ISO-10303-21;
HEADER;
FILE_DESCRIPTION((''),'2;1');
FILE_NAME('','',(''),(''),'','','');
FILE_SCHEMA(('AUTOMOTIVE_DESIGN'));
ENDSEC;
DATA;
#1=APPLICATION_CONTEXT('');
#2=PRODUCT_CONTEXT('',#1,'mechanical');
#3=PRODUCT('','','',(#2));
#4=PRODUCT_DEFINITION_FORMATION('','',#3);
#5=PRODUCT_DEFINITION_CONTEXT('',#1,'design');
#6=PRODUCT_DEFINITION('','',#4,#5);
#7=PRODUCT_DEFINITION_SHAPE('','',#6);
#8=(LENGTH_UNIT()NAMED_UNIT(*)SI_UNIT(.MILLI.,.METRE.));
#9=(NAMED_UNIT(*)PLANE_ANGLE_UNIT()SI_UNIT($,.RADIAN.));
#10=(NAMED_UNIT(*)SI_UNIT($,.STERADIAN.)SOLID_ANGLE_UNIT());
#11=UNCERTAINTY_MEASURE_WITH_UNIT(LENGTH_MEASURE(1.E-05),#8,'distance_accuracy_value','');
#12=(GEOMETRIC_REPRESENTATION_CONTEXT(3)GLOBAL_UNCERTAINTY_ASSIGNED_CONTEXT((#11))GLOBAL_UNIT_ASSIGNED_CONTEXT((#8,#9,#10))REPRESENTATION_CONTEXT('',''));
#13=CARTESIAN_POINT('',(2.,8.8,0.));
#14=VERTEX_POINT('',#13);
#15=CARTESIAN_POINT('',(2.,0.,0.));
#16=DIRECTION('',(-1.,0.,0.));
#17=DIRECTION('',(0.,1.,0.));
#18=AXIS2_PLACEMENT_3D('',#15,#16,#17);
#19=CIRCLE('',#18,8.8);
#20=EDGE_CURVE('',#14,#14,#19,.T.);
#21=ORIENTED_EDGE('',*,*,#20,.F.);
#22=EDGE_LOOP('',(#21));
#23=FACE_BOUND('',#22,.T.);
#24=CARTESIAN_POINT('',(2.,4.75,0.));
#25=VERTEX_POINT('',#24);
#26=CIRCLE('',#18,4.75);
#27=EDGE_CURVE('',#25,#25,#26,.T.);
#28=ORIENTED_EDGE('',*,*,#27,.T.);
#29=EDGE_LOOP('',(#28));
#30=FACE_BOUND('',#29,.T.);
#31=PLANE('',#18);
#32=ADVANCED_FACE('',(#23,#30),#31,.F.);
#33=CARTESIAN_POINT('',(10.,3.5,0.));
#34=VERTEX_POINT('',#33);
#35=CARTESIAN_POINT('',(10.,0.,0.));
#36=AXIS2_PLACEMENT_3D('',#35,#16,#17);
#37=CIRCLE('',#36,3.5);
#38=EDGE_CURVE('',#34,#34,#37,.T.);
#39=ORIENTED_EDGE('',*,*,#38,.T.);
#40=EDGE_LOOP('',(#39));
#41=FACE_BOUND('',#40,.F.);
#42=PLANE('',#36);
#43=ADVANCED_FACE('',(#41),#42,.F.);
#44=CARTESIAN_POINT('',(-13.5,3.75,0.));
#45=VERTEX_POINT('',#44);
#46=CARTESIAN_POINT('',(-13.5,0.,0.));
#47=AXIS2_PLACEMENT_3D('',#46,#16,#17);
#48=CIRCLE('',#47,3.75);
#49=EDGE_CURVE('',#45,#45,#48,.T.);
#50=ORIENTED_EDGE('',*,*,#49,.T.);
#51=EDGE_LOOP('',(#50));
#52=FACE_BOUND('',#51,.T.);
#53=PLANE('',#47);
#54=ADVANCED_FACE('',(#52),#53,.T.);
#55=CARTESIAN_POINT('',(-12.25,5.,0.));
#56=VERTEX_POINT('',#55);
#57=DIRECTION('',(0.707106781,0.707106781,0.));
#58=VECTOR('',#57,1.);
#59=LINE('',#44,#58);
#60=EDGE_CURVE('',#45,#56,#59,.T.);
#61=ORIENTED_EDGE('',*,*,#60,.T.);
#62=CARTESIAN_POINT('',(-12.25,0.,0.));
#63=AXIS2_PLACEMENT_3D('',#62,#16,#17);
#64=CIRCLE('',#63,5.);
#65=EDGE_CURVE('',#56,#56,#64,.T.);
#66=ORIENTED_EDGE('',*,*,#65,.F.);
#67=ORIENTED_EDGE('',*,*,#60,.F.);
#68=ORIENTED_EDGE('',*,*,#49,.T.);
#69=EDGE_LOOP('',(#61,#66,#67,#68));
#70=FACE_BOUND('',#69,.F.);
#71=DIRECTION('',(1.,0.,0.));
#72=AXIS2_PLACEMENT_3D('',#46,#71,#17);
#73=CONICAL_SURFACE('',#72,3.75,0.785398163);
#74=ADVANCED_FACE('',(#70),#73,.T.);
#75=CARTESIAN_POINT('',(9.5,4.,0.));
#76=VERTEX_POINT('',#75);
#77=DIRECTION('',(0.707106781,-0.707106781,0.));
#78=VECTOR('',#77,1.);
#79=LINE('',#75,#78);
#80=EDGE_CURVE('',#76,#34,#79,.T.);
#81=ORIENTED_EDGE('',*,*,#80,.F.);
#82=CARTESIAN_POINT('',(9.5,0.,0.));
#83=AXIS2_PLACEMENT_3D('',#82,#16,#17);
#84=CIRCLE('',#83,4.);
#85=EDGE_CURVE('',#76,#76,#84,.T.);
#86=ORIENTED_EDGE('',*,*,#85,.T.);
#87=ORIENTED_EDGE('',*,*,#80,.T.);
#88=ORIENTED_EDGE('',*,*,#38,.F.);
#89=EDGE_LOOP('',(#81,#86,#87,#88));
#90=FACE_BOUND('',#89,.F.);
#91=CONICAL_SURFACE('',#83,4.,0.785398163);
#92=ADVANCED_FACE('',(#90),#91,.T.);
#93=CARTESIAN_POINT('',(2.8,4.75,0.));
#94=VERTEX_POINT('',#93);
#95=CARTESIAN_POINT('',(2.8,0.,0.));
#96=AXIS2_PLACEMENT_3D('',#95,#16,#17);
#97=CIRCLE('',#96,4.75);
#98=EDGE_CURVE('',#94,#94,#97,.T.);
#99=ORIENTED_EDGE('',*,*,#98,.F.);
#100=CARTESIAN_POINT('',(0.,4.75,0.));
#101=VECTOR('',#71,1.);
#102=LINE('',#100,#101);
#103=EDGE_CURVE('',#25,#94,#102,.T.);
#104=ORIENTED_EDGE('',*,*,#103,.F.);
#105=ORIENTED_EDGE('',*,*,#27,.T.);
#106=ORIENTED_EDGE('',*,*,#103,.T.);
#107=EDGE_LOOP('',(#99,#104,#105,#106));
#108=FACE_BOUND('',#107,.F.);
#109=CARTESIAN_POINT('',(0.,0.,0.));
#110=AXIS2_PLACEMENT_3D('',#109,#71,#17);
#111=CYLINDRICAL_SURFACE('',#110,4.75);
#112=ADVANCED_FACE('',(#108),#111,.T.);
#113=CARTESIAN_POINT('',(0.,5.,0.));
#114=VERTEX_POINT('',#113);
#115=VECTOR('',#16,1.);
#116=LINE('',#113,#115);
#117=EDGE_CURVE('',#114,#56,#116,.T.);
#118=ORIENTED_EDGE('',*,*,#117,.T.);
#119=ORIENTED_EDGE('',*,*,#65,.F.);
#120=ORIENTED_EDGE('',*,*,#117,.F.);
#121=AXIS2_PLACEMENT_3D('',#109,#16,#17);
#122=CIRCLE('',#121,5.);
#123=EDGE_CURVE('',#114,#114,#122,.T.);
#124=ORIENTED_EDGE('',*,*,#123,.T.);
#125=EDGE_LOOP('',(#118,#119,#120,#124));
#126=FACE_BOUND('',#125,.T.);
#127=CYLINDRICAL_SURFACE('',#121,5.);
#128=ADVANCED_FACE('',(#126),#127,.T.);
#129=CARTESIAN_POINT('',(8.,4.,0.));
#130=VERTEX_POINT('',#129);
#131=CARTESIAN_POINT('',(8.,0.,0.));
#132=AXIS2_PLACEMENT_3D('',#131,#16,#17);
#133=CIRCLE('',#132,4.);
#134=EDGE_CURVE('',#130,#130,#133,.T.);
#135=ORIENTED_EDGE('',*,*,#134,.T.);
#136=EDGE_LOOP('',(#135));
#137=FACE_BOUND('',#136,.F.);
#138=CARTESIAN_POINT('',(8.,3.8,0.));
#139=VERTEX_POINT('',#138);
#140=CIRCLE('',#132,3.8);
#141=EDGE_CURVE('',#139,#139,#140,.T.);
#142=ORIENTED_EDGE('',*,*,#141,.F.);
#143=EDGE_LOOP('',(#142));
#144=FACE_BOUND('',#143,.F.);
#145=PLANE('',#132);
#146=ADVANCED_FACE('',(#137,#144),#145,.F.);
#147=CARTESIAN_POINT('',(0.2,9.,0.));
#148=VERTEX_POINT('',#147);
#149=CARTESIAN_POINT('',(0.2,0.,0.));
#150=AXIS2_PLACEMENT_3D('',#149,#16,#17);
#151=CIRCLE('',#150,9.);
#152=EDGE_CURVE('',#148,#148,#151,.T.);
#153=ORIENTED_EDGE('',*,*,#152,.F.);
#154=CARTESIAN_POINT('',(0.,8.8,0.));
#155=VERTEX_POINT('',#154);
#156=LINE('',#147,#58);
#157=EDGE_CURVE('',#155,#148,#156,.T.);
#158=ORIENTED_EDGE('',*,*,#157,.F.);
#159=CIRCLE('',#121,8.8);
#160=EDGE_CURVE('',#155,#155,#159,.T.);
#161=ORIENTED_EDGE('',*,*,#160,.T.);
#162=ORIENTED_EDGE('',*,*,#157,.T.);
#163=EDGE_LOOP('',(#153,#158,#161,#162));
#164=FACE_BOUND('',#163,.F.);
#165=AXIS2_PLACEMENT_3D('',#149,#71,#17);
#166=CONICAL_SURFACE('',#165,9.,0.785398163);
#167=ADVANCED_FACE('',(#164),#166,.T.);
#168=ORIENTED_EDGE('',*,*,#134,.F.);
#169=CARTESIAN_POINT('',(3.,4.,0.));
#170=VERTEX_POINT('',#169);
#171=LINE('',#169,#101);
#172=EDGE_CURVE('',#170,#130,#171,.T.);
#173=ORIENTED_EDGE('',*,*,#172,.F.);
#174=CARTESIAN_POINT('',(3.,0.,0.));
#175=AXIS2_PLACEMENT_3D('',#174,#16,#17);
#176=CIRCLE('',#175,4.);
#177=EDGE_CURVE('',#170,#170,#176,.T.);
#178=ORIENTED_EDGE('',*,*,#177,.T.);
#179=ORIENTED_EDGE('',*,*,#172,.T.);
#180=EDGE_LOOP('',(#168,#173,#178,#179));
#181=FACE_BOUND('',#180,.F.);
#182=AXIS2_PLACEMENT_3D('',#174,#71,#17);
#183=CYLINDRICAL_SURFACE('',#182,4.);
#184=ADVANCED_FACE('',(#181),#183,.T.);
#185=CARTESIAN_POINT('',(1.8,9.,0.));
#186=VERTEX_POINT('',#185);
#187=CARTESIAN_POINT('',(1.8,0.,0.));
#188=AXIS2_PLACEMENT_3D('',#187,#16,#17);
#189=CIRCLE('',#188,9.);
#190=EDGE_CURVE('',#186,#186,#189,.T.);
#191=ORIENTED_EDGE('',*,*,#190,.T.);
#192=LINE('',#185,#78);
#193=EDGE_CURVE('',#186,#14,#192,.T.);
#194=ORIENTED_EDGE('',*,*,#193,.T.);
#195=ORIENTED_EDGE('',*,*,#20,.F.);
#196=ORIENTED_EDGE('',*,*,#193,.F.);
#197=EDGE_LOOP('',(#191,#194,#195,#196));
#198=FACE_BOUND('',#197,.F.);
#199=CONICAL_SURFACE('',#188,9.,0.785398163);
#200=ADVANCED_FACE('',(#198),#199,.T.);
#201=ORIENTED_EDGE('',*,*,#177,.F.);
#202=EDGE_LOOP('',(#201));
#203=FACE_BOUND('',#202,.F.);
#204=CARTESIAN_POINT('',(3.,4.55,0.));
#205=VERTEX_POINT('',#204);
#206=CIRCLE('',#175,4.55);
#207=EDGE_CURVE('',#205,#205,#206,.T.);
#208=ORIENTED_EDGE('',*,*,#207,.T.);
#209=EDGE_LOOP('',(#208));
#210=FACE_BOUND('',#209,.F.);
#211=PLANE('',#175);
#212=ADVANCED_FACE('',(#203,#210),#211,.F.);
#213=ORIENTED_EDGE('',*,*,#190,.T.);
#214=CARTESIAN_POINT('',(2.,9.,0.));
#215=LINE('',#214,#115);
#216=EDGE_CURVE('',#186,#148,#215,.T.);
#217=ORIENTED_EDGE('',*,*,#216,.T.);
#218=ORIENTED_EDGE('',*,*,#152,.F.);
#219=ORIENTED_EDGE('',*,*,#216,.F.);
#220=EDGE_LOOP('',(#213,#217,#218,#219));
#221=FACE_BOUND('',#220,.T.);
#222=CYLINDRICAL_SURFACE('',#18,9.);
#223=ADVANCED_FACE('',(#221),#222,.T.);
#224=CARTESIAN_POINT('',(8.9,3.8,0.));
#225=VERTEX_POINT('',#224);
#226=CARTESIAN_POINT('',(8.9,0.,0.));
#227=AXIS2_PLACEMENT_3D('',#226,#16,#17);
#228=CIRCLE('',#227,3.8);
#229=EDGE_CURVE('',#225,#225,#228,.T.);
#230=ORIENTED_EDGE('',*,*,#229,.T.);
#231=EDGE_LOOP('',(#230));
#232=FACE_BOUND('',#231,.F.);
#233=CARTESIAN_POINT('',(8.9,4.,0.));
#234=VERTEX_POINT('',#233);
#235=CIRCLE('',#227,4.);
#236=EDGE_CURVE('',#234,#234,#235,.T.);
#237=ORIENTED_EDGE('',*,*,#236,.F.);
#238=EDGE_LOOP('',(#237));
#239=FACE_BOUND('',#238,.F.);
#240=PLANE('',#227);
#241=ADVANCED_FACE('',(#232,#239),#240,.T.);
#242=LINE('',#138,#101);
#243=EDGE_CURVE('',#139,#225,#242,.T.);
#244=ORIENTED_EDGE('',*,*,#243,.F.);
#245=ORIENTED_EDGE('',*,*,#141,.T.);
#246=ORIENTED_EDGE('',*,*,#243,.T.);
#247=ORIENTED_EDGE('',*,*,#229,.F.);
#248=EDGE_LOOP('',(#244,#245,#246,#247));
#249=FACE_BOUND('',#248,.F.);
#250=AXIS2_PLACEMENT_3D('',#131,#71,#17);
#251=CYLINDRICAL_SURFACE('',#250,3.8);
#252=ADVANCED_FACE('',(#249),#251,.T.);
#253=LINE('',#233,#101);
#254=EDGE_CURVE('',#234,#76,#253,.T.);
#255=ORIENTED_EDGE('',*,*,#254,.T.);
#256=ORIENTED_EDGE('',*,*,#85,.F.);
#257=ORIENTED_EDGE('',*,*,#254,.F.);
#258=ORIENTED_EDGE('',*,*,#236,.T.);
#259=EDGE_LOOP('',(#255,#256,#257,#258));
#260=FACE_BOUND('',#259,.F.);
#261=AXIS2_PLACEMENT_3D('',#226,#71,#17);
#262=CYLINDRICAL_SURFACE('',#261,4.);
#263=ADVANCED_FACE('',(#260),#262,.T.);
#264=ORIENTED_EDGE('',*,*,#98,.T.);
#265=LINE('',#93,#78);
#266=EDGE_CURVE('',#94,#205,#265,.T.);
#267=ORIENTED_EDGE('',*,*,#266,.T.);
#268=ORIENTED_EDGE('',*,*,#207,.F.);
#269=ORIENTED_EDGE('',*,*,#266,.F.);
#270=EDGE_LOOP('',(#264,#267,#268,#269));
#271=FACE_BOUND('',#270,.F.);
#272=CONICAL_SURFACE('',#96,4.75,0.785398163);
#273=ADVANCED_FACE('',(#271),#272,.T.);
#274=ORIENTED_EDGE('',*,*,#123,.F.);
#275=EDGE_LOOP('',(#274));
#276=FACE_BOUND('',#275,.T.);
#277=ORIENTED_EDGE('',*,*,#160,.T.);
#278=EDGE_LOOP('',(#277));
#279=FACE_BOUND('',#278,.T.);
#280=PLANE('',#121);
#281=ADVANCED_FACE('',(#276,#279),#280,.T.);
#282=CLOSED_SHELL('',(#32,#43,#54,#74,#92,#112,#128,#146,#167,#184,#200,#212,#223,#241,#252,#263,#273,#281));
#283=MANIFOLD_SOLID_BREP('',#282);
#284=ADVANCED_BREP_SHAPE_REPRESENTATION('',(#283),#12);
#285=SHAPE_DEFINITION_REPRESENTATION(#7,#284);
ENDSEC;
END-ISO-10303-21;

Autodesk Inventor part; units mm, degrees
ref_plane "YZ Plane" through (0, 0, 0) normal (1, 0, 0) x (0, 1, 0)
ref_plane "XZ Plane" through (0, 0, 0) normal (0, 1, 0) x (-1, 0, 0)
ref_plane "XY Plane" through (0, 0, 0) normal (0, 0, 1) x (1, 0, 0)
sketch "Skizze1" plane through (0, 0, 0) normal (0, 0, 1) x (1, 0, 0)
  line L0 (0, 0) -> (0, 4.75)
  line L1 (0, 4.75) -> (3, 4.75)
  line L2 (3, 4.75) -> (3, 4)
  line L3 (3, 4) -> (8, 4)
  line L4 (8, 4) -> (8, 3.8)
  line L5 (8, 3.8) -> (8.9, 3.8)
  line L6 (8.9, 3.8) -> (8.9, 4)
  line L7 (8.9, 4) -> (9.5, 4)
  line L8 (10, 3.5) -> (10, 0)
  line L9 (10, 0) -> (0, 0)
  line L10 (0, 5) -> (-12.25, 5)
  line L11 (-13.5, 3.75) -> (-13.5, 0)
  line L12 (-13.5, 0) -> (0, 0)
  line L13 (9.5, 4) -> (10, 3.5)
  line L14 (-13.5, 3.75) -> (-12.25, 5)
  line L15 (8, 4) -> (8, 0) construction
  line L16 (2, 4.75) -> (2, 9)
  line L17 (2, 9) -> (0, 9)
  line L18 (0, 9) -> (0, 4.75)
  line L19 (3, 4) -> (3, 0) construction
  point P0 (10, 4)
  point P1 (-13.5, 5)
  dimension "d0" = 7.6
  dimension "d1" = 0.5
  dimension "d2" = 0.5
  dimension "d3" = 0.9
  dimension "d4" = 8
  dimension "d5" = 0.6
  dimension "d6" = 9.5
  dimension "d8" = 10
  dimension "d9" = 1.25
  dimension "d10" = 1.25
  dimension "d11" = 13.5
  dimension "d15" = 0
  dimension "d22" = 1
  dimension "d23" = 18
  dimension "d24" = 5
  dimension "d25" = 0
  dimension "d27" = 3
revolve "Umdrehung1" add sketch "Skizze1" angle 360 about axis through (10, 0, 0) along (-1, 0, 0)
thread "Gewinde1" size "M10x1.5" class "6g" standard "ANSI Metric M Profile" full length
chamfer "Fase1" distance 0.2 angle 45 3 edges at (3, -4.75, 0) (2, -9, 0) (0, -9, 0)
equation "\"d2\" = d1"
equation "\"d10\" = d9"
equation "\"d22\" = JTM_1018_Thickness"
equation "\"d24\" = Bearing_Thickness"
equation "\"Bearing_StepThickness\" = 2"
equation "\"SupportLink_Bearing_StepDia\" = 13"
equation "\"Bearing_Thickness\" = 5"
equation "\"Bearing_Flansch_Thickness\" = 1.1"
equation "\"JTM_1018_Thickness\" = 1"
properties part number "ParallelMech_SupportLink_Distall_JointShaft" material "Edelstahl"
